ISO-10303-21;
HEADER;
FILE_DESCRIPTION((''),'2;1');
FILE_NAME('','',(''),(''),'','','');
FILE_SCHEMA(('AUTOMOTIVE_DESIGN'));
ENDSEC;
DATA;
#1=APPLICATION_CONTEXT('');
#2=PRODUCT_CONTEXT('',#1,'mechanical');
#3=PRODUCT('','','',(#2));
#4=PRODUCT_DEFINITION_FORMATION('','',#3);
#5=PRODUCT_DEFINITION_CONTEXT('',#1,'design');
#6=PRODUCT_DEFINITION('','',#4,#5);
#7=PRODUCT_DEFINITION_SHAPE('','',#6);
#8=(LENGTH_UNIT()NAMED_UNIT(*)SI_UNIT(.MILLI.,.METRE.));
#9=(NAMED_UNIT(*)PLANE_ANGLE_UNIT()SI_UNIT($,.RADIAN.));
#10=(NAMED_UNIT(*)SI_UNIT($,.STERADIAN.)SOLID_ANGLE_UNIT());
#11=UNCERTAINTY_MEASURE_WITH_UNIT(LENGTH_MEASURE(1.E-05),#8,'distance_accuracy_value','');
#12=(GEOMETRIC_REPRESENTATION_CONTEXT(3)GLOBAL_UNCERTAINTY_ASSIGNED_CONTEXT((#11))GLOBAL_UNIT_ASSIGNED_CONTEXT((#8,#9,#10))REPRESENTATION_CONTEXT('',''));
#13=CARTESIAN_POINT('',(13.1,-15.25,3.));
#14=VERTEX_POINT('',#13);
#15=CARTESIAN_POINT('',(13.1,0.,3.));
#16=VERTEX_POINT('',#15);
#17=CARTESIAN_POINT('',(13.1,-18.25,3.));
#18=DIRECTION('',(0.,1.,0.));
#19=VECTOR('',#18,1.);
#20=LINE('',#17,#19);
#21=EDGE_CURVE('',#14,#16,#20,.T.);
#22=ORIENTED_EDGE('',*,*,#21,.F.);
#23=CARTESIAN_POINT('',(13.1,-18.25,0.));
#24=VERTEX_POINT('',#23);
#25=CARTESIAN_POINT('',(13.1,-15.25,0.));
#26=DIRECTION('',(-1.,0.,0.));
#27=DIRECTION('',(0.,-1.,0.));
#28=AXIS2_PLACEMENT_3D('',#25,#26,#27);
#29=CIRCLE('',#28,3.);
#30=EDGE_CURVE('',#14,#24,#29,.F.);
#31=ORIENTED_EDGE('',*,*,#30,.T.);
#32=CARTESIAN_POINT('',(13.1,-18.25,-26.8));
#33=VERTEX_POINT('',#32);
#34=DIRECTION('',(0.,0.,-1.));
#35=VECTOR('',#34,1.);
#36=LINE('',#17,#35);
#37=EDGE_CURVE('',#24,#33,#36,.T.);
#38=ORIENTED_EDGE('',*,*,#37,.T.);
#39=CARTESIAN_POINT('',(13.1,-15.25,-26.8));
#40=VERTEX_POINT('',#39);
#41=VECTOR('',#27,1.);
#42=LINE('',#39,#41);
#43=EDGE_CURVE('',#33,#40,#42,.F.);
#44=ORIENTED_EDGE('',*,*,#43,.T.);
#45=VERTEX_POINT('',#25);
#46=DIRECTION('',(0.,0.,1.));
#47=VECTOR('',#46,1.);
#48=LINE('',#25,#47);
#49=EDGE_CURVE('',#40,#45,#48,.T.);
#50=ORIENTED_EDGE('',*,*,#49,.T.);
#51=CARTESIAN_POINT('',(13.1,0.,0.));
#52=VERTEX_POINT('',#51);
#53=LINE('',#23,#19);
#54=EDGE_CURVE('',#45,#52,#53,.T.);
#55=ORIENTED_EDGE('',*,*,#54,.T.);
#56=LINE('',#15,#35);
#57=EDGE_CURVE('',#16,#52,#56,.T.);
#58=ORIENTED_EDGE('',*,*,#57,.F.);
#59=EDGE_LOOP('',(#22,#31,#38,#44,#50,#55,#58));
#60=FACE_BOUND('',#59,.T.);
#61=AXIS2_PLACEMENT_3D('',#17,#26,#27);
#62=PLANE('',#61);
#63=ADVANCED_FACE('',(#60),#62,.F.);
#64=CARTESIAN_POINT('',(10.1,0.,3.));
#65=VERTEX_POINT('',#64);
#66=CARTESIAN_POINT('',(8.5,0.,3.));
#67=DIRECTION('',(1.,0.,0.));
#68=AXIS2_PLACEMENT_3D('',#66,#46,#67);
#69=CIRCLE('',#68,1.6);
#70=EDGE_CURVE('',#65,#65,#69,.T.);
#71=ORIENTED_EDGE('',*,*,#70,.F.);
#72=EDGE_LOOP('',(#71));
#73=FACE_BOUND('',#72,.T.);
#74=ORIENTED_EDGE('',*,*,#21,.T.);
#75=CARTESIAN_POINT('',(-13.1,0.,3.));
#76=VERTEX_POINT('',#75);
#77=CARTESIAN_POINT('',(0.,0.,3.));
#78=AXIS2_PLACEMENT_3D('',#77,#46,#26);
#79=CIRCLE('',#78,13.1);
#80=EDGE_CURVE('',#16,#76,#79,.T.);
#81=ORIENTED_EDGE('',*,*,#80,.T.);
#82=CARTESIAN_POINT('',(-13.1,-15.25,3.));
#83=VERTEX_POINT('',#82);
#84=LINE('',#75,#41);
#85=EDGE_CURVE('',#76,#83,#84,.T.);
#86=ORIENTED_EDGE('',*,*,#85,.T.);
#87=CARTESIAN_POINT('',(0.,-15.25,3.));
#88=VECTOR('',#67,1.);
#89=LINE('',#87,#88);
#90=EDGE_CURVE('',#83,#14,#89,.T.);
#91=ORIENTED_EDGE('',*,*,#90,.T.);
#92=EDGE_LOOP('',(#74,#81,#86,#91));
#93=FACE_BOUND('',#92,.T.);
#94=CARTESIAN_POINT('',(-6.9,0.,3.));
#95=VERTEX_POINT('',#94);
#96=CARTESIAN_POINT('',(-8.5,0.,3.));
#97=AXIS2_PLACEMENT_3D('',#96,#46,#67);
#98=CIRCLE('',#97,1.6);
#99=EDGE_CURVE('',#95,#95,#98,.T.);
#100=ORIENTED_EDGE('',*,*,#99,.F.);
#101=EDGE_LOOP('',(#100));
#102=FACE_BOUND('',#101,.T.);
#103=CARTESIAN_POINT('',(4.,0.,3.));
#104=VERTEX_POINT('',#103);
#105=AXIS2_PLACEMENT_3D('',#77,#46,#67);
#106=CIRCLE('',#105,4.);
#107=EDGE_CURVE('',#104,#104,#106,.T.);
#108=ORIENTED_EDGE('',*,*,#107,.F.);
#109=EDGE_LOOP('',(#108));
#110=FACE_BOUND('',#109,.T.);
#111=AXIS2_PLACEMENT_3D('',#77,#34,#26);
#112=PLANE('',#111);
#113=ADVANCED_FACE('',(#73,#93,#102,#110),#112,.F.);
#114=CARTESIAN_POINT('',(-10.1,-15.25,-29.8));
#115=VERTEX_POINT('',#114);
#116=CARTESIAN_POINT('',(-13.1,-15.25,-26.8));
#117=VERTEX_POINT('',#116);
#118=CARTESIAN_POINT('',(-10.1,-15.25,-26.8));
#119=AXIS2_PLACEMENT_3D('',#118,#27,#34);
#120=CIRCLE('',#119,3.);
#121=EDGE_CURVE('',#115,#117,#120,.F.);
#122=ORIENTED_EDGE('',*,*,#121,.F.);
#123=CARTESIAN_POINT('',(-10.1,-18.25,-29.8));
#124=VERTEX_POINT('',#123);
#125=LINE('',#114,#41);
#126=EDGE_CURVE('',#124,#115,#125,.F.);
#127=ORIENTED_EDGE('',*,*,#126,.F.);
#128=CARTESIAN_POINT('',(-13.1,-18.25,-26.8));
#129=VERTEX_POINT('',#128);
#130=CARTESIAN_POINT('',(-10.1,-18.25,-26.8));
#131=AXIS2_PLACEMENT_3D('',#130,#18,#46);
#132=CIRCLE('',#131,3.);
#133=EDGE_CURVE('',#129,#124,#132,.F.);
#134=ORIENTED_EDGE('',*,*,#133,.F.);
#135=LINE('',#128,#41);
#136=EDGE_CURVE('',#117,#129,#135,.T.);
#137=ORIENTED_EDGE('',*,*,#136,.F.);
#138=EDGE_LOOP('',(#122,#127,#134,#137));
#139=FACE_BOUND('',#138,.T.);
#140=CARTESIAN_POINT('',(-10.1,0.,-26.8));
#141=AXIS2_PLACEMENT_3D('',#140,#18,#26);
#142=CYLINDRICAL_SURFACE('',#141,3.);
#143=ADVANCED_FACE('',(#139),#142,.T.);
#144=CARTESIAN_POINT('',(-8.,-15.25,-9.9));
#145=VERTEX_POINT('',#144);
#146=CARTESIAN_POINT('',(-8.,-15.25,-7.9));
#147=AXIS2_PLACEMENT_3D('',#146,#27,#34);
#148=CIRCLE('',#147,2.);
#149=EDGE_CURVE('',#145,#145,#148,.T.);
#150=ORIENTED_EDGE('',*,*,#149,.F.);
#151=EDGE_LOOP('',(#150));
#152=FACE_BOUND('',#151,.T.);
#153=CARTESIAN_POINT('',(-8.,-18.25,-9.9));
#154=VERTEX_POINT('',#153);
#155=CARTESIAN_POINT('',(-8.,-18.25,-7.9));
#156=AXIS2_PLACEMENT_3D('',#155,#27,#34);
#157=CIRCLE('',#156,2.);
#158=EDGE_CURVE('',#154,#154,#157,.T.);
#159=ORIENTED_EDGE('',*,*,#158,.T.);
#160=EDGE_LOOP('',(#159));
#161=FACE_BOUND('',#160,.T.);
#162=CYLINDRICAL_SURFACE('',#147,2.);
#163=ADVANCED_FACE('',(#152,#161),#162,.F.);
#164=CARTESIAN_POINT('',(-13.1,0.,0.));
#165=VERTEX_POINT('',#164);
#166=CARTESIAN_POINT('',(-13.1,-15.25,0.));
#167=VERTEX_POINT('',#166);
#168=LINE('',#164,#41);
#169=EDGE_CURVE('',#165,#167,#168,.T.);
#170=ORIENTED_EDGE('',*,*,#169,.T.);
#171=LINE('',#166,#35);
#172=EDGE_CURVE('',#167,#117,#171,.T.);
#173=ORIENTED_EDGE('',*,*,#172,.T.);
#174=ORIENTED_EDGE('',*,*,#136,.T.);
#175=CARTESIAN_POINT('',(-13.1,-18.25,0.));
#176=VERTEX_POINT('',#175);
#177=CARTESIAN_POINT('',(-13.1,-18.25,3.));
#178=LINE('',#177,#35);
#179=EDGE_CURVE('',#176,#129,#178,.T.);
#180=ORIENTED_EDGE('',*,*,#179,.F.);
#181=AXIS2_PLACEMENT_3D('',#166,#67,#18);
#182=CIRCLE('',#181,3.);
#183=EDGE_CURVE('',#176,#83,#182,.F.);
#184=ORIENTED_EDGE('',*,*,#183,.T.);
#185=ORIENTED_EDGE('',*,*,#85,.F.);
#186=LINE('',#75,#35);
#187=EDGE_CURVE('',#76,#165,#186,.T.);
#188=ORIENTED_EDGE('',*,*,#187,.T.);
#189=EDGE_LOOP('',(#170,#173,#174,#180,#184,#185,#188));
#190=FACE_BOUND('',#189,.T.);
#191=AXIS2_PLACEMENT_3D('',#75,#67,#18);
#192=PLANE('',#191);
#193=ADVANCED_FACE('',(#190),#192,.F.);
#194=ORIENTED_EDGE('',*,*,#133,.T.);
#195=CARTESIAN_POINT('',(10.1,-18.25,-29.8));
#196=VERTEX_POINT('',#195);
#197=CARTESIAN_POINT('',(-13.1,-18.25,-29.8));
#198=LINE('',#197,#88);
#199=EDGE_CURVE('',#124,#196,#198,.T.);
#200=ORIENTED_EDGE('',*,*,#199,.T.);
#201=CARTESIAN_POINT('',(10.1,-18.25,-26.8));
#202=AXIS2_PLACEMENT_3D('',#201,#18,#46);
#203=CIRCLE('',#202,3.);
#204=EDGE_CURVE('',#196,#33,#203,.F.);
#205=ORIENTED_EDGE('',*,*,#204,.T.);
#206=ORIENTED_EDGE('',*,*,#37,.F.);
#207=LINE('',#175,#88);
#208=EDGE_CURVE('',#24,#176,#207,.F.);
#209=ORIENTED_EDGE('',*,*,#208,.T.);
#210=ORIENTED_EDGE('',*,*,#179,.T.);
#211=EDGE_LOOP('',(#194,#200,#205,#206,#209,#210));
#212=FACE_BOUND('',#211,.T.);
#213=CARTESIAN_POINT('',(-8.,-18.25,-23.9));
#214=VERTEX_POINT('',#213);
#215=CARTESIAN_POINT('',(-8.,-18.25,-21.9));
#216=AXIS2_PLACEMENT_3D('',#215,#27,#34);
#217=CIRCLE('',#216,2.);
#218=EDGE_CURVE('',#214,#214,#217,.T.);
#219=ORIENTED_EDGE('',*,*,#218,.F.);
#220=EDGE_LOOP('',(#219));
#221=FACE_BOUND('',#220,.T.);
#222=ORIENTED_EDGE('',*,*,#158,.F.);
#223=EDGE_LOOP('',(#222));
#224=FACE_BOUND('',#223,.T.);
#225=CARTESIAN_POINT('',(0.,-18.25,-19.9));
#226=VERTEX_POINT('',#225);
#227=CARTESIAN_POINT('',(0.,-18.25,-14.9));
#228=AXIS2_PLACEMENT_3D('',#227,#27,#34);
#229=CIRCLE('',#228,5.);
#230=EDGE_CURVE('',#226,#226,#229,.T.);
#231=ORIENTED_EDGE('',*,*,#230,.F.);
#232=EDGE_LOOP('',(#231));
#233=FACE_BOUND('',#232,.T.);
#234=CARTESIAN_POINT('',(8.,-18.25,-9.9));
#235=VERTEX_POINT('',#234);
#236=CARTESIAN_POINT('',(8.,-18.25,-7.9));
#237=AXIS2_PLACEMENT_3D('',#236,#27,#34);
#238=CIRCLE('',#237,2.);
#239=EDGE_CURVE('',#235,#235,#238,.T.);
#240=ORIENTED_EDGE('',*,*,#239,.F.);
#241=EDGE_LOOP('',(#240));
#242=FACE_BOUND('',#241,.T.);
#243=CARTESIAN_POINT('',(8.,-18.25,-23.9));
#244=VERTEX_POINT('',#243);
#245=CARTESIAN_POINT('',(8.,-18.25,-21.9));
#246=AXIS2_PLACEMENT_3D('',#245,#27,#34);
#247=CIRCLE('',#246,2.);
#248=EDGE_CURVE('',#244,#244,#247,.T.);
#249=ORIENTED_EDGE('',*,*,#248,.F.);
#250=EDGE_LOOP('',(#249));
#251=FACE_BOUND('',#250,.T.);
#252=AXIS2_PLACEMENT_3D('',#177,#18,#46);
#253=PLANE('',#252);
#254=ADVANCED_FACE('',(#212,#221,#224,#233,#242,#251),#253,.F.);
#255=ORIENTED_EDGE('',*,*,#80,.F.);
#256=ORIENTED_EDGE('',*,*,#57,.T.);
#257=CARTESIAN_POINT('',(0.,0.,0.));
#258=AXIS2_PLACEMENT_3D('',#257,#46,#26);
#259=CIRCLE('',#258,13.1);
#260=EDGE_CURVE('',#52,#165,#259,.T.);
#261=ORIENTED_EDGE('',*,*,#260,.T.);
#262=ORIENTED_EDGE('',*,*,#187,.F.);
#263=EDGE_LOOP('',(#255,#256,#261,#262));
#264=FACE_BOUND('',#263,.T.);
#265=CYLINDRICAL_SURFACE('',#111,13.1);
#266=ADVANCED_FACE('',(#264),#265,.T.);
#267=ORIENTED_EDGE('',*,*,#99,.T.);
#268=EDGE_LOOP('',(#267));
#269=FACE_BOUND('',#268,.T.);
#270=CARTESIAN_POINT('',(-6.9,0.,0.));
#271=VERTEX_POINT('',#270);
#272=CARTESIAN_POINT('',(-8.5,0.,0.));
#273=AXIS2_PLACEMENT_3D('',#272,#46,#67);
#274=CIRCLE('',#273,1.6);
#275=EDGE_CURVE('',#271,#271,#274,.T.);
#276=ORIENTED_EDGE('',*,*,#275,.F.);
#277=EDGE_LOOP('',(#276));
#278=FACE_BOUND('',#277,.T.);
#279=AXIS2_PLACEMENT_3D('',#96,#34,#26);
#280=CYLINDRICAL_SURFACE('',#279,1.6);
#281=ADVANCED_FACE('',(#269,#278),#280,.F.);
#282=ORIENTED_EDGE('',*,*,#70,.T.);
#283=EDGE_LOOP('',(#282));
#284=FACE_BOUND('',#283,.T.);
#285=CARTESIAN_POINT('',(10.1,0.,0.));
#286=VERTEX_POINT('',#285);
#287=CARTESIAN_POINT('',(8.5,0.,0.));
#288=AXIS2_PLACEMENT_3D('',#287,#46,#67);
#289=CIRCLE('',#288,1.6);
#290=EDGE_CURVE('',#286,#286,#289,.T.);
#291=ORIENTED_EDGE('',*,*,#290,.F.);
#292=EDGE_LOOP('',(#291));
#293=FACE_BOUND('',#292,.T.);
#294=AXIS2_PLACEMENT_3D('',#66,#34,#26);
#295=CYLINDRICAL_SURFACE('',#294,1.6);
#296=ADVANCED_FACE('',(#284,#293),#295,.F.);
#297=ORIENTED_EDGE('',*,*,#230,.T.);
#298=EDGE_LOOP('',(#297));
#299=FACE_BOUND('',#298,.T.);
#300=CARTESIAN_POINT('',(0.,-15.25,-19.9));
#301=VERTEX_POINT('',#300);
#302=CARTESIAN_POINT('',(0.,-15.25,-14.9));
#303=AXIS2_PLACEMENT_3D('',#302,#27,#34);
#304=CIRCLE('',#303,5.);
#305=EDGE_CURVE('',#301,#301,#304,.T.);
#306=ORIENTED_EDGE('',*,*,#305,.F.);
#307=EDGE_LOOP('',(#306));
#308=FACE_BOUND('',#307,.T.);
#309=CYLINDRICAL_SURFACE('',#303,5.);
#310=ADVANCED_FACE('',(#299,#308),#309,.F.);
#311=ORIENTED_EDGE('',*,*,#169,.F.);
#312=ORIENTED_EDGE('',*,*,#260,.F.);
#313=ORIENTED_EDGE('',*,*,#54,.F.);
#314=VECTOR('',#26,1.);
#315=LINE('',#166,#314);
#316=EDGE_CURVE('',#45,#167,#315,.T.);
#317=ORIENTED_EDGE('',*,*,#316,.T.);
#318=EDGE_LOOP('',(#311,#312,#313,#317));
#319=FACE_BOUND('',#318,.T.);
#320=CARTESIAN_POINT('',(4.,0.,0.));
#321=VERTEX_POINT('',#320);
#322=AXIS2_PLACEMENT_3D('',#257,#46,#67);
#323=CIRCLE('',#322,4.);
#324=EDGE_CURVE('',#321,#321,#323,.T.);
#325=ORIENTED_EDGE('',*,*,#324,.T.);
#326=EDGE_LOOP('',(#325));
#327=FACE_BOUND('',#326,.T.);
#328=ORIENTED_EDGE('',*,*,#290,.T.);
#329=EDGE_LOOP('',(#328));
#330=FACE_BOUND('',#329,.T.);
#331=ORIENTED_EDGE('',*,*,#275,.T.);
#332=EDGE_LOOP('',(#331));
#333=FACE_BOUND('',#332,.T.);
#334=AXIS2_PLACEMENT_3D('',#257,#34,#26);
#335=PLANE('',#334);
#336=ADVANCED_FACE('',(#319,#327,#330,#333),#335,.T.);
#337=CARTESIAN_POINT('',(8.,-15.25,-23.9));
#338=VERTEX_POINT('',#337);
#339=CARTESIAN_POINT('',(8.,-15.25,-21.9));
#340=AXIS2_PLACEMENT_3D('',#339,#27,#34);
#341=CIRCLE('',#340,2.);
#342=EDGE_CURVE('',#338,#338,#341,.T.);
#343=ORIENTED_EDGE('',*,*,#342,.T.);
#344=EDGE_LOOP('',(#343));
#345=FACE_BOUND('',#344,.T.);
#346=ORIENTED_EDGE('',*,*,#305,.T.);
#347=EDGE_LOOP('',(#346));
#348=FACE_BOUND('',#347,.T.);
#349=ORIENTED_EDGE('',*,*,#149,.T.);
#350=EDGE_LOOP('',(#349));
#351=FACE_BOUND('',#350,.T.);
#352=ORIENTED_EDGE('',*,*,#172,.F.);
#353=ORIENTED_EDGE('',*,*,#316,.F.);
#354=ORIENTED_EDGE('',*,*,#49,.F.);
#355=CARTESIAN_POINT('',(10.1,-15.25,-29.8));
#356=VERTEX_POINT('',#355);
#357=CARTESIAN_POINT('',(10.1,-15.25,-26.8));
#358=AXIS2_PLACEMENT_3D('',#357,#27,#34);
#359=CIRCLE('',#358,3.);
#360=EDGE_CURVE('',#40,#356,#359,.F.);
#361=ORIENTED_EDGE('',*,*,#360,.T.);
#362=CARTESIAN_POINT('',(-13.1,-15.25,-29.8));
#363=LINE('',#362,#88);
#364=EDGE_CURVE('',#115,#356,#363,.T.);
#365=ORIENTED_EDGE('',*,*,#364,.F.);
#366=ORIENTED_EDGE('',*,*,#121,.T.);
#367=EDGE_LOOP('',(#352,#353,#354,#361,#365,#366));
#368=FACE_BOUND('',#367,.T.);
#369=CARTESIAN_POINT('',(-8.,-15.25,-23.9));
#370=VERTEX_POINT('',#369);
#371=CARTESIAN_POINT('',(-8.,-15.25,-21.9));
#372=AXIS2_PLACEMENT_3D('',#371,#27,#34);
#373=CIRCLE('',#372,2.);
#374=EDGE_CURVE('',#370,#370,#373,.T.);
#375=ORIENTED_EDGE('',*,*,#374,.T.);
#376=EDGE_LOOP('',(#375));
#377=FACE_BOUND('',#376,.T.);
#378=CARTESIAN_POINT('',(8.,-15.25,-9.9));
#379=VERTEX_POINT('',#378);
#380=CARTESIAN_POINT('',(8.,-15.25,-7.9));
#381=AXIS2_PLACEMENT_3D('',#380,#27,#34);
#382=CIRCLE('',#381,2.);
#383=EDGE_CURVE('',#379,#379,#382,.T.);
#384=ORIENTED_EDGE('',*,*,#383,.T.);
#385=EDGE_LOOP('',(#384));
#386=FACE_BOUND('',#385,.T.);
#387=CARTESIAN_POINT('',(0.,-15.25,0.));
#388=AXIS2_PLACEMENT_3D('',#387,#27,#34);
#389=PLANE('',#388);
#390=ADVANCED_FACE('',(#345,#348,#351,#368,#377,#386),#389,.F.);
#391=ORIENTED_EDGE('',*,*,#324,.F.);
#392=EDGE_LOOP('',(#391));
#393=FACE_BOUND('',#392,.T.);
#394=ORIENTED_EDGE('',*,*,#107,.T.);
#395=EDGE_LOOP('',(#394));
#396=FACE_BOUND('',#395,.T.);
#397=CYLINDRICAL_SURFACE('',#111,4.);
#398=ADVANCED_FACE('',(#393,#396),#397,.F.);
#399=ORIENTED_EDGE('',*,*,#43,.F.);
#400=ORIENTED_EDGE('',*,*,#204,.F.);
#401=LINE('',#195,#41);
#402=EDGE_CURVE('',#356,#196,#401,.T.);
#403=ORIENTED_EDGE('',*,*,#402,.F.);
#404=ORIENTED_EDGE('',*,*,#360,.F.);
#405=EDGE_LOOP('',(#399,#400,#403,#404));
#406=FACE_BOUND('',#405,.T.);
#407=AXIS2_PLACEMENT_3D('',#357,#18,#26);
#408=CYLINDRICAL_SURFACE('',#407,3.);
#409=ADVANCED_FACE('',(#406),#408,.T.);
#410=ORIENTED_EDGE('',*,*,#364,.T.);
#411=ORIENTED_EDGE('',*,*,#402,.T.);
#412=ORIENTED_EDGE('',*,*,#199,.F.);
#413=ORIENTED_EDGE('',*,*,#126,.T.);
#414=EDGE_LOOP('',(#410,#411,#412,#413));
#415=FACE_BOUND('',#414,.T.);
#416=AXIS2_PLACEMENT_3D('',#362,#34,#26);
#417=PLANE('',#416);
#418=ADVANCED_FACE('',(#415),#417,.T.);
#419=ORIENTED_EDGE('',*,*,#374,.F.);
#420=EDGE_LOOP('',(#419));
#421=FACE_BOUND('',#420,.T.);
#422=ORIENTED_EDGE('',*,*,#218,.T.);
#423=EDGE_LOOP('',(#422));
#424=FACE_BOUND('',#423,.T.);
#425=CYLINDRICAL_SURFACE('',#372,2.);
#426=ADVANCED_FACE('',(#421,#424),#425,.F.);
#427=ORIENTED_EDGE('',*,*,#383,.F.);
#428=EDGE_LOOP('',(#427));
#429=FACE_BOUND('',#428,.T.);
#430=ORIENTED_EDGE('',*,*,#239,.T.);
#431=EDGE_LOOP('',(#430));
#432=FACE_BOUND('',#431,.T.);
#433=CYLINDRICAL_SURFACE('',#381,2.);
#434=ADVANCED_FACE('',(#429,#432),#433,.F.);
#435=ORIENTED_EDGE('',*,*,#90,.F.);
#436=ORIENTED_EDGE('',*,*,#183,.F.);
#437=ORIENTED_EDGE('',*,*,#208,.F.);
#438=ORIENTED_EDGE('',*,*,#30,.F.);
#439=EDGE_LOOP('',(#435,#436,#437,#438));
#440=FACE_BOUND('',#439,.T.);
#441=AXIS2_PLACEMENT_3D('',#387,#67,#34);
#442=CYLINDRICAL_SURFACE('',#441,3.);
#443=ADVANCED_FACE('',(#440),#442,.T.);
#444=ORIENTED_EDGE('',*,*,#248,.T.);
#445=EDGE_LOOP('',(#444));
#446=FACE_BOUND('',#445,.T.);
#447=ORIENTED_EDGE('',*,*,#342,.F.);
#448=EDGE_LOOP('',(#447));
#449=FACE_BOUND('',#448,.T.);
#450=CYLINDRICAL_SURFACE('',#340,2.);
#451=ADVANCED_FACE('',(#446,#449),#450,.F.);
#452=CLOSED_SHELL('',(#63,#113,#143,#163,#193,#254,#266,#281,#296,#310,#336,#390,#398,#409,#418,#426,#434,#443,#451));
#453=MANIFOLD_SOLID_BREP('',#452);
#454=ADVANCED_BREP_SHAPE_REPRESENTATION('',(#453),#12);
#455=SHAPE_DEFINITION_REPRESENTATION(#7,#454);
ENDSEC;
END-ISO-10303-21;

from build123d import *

# Parameters (mm, degrees)
SKETCH1_R            = 4
SKETCH1_R_2          = 1.6
JGA25_SCREWS_DEPTH   = 3
SKETCH2_W            = 26.2
SKETCH2_H            = 29.8
SKETCH2_R            = 5
SKETCH2_R_2          = 2
BRACKET_SCREWS_DEPTH = 3
L_SHAPE_FILLET_R     = 3
CORNER_FILLETS_R     = 3


with BuildPart() as part:
    # Sketch1 → JGA25-Screws (new body)
    with BuildSketch(Plane.XY):
        with BuildLine():
            Line((-13.1, 0), (-13.1, -18.25))
            Line((-13.1, -18.25), (13.1, -18.25))
            Line((13.1, -18.25), (13.1, 0))
            ThreePointArc((13.1, 0), (0, 13.1), (-13.1, 0))
        make_face()
        Circle(SKETCH1_R, mode=Mode.SUBTRACT)
        with Locations((-8.5, 0)):
            Circle(SKETCH1_R_2, mode=Mode.SUBTRACT)
        with Locations((8.5, 0)):
            Circle(SKETCH1_R_2, mode=Mode.SUBTRACT)
    extrude(amount=JGA25_SCREWS_DEPTH)

    # Sketch2 → Bracket-Screws (add)
    with BuildSketch(Plane.XZ.offset(18.25)):
        with Locations((0, -14.9)):
            Rectangle(SKETCH2_W, SKETCH2_H)
        with Locations(Location((0, -14.9, 0), (0, 0, 270))):
            Circle(SKETCH2_R, mode=Mode.SUBTRACT)
        with Locations(Location((8, -21.9, 0), (0, 0, 270))):
            Circle(SKETCH2_R_2, mode=Mode.SUBTRACT)
        with Locations(Location((-8, -21.9, 0), (0, 0, 270))):
            Circle(SKETCH2_R_2, mode=Mode.SUBTRACT)
        with Locations(Location((8, -7.9, 0), (0, 0, 270))):
            Circle(SKETCH2_R_2, mode=Mode.SUBTRACT)
        with Locations(Location((-8, -7.9, 0), (0, 0, 270))):
            Circle(SKETCH2_R_2, mode=Mode.SUBTRACT)
    extrude(amount=-BRACKET_SCREWS_DEPTH)

    # L-Shape-Fillet
    l_shape_fillet_edges = [part.edges().sort_by_distance(p)[0] for p in [
        (0, -18.25, 3),
    ]]
    fillet(l_shape_fillet_edges, radius=L_SHAPE_FILLET_R)

    # Corner-Fillets
    corner_fillets_edges = [part.edges().sort_by_distance(p)[0] for p in [
        (-13.1, -16.75, -29.8),
        (13.1, -16.75, -29.8),
    ]]
    fillet(corner_fillets_edges, radius=CORNER_FILLETS_R)


solid = part.part
